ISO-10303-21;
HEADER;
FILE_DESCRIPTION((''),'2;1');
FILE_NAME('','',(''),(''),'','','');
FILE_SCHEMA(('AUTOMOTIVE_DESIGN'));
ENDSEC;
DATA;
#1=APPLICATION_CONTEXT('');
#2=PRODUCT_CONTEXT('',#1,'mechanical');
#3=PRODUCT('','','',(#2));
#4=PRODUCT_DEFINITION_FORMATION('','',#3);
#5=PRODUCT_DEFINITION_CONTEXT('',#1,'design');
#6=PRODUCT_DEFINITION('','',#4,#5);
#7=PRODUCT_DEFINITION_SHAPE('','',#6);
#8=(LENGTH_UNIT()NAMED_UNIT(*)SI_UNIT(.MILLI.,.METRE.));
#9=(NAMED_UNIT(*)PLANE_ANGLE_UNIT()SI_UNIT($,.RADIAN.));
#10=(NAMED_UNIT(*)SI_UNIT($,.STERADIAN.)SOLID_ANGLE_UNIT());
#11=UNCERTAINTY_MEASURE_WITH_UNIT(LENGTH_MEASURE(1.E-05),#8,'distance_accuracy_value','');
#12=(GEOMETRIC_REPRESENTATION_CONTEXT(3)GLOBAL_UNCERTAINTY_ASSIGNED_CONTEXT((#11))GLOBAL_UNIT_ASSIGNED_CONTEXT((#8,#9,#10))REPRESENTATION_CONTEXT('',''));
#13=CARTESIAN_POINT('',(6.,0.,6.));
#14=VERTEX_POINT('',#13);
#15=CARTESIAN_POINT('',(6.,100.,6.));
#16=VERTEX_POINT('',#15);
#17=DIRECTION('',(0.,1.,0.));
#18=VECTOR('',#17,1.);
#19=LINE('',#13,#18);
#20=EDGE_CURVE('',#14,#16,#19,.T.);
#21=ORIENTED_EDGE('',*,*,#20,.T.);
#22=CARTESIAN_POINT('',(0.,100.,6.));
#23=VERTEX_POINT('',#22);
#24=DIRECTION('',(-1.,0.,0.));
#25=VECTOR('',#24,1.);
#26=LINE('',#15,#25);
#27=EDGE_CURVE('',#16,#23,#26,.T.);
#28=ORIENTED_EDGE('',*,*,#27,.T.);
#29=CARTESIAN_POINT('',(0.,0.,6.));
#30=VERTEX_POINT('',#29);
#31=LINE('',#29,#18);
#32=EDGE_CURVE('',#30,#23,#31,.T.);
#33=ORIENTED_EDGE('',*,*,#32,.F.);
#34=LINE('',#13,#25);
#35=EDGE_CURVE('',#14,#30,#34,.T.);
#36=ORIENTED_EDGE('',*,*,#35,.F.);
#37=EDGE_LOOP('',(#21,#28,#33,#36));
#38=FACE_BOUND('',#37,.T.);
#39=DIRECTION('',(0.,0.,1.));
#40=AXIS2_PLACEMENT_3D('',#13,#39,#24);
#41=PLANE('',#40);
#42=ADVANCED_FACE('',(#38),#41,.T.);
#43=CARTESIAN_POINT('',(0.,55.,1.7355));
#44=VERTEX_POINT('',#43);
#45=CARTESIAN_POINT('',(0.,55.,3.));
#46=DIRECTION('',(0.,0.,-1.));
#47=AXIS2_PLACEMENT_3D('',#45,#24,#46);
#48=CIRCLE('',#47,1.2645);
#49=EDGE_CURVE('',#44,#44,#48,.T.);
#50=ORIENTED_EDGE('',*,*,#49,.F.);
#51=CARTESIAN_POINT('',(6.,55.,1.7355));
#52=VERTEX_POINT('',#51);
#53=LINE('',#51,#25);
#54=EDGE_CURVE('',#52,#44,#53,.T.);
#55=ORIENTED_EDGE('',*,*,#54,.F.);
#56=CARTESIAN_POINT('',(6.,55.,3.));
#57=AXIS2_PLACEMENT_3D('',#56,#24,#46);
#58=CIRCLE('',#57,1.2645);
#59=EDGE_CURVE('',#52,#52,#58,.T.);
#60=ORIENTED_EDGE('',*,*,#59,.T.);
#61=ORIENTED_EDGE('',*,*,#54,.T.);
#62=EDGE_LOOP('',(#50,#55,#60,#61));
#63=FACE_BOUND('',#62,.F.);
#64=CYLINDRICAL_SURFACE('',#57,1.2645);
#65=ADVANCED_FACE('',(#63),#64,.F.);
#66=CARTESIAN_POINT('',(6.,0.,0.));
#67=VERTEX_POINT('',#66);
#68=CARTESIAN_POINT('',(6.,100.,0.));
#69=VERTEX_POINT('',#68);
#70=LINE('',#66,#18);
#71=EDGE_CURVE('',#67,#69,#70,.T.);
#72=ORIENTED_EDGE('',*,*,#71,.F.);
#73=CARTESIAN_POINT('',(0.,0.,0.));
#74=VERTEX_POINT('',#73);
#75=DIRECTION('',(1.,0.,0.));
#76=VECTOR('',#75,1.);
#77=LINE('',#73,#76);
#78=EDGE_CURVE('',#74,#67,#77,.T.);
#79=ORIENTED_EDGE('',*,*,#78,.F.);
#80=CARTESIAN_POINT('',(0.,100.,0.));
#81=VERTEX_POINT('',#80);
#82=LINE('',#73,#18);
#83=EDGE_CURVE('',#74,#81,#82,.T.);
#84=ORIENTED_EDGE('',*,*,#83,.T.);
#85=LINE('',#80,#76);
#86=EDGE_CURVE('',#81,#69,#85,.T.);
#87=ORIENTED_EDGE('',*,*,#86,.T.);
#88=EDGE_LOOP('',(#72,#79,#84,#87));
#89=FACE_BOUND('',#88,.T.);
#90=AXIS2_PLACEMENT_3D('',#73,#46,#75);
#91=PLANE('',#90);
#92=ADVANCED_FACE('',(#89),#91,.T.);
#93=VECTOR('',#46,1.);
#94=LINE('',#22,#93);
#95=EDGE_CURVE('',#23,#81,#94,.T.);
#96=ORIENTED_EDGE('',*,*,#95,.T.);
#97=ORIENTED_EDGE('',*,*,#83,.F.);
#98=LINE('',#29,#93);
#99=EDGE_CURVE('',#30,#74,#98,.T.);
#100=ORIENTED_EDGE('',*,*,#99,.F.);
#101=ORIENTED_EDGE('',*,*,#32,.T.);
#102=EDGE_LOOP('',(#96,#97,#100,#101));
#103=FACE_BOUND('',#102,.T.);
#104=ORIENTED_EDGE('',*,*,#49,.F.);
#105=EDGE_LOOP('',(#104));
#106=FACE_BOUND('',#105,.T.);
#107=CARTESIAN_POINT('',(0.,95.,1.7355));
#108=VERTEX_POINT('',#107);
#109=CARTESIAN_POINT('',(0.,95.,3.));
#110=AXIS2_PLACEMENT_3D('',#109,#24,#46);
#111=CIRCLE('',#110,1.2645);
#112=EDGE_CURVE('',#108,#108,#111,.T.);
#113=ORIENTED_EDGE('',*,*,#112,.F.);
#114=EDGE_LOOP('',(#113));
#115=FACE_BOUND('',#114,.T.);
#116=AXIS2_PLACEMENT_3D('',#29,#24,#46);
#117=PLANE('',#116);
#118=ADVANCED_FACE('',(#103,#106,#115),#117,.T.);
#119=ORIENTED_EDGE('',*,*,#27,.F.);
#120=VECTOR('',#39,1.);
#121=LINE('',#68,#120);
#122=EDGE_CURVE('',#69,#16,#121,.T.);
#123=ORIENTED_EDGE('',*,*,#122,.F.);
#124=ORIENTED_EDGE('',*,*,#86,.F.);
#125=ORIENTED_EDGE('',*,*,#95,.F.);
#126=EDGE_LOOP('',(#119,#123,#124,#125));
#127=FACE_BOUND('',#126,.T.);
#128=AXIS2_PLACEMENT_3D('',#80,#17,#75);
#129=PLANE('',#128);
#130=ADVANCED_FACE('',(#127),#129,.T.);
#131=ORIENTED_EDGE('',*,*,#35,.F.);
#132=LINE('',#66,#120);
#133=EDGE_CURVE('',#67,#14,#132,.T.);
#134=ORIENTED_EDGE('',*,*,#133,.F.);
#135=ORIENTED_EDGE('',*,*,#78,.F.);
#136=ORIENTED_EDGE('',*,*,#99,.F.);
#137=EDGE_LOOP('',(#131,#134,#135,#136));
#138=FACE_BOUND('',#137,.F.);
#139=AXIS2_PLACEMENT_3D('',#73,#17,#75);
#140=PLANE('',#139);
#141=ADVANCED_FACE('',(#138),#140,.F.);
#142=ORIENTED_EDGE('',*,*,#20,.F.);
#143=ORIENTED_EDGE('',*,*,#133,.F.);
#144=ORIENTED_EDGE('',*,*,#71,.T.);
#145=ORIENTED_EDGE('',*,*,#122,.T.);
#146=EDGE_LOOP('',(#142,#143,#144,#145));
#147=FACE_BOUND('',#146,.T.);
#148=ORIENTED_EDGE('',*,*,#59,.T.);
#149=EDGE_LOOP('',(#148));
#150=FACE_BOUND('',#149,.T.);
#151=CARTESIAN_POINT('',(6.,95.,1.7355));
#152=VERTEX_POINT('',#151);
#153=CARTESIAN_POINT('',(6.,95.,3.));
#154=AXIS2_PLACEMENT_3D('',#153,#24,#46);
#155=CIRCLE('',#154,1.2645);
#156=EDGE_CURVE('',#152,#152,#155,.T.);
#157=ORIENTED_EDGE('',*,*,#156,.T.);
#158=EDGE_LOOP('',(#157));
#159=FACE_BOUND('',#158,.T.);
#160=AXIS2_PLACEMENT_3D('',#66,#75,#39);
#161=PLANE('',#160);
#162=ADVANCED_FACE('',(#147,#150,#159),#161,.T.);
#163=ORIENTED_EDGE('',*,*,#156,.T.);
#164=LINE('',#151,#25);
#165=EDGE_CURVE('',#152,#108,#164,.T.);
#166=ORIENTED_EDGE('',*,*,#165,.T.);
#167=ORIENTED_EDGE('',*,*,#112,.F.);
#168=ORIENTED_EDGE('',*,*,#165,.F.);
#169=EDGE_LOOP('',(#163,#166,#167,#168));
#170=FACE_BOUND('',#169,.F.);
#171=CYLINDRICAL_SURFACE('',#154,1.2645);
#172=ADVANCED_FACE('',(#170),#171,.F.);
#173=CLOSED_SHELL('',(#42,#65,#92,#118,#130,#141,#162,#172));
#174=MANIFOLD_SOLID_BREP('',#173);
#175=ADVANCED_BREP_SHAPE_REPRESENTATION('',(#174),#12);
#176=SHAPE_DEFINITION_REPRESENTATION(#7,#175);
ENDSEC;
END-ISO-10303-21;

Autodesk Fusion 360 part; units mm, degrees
sketch "Skizze1" plane through (0, 0, 0) normal (0, 1, 0) x (1, 0, 0)
  line L0 (0, 0) -> (6, 0)
  line L1 (6, 0) -> (6, -6)
  line L2 (6, -6) -> (0, -6)
  line L3 (0, -6) -> (0, 0)
  dimension "d1" = 6
  dimension "d2" = 6
extrude "Extrusion1" add sketch "Skizze1" along normal blind 100
sketch "Skizze2" plane through (6, 0, 0) normal (1, 0, 0) x (0, 1, 0)
  line L0 (0, 6) -> (0, 0)
  line L1 (0, 0) -> (100, 0)
  line L2 (100, 0) -> (100, 6)
  line L3 (100, 6) -> (0, 6)
  point P0 (95, 3)
  point P1 (55, 3)
  dimension "d5" = 3
  dimension "d6" = 3
  dimension "d7" = 5
  dimension "d8" = 45
hole "Bohrung1" at (6, 95, 3) at (6, 55, 3) direction (-1, 0, 0) diameter 2.529 depth 30 tip angle 118
